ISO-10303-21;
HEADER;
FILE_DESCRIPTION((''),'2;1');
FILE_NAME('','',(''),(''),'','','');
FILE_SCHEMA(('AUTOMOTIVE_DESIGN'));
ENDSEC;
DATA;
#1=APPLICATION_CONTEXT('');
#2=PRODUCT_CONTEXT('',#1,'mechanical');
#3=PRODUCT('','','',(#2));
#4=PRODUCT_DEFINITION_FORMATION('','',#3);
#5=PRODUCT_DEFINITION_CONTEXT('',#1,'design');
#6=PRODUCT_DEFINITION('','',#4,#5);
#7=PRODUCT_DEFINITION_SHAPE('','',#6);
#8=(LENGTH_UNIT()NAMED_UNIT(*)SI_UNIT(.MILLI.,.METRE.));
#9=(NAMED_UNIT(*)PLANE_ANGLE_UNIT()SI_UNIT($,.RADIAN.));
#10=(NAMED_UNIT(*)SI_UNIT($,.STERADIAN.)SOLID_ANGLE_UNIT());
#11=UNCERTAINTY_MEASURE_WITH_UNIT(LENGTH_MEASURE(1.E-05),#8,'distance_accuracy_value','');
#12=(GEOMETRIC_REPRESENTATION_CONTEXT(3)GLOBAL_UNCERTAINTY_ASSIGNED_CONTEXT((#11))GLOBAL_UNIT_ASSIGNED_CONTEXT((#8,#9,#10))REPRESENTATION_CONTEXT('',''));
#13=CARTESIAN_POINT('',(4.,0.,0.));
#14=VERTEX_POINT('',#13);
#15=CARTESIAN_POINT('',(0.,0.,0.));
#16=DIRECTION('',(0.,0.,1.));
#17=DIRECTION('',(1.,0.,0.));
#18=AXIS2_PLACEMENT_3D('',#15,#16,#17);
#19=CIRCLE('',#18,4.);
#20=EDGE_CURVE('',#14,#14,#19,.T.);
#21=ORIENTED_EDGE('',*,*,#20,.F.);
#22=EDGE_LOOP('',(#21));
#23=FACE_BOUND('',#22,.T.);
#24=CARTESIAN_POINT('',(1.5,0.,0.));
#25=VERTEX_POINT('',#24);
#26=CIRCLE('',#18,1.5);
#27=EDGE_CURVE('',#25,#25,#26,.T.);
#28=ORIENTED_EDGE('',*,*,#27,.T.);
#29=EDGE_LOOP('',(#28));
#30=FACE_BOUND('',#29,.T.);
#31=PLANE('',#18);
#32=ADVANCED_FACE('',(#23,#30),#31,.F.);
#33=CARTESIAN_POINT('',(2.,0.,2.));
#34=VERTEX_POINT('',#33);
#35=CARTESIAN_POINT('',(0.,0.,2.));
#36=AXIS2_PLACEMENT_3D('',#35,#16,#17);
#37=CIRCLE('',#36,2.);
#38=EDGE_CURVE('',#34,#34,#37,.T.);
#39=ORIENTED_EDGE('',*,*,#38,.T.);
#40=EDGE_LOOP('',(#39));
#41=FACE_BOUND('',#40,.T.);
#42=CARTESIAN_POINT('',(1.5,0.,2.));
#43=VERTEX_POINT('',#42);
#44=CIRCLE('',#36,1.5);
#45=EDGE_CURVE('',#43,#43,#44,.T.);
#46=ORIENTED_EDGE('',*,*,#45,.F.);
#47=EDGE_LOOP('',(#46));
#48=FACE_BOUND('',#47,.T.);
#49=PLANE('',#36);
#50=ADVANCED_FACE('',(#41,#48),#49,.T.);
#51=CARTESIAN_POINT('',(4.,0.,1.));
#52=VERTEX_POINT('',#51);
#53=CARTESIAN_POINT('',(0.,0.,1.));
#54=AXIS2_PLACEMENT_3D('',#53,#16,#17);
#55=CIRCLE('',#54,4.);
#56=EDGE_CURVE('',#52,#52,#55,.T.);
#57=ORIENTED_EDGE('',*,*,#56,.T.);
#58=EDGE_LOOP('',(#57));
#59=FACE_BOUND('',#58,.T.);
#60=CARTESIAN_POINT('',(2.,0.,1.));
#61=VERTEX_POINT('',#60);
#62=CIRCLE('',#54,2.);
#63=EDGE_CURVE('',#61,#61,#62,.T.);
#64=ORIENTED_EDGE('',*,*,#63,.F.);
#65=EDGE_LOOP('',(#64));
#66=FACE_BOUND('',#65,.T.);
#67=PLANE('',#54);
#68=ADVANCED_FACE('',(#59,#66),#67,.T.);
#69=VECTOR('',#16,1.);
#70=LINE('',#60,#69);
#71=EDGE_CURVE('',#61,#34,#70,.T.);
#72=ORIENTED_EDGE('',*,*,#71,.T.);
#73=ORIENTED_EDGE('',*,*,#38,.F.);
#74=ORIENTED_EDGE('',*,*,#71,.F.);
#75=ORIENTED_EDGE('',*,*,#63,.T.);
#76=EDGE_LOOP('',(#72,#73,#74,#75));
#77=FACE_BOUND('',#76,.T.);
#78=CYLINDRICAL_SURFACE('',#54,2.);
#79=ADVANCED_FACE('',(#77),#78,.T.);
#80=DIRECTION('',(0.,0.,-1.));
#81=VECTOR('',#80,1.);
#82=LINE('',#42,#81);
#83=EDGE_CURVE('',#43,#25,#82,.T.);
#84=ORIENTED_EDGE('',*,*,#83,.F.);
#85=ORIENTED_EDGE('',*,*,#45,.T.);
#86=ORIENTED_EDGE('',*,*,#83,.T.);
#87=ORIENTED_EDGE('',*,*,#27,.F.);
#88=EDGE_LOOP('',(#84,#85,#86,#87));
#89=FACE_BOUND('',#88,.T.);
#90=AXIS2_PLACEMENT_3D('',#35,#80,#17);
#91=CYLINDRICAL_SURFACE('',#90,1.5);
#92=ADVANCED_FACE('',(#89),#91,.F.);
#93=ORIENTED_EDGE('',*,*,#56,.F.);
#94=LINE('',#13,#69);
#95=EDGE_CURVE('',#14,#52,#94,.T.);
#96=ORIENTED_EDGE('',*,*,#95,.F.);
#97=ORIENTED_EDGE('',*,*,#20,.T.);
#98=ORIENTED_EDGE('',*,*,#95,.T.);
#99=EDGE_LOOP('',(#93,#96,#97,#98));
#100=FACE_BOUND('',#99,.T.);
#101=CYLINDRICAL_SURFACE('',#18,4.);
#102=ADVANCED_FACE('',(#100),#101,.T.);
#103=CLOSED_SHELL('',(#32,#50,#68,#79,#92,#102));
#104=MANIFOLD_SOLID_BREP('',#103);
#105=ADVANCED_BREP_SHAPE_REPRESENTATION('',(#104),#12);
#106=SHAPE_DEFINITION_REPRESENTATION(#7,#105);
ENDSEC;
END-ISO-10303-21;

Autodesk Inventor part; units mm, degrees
ref_plane "YZ Plane" through (0, 0, 0) normal (1, 0, 0) x (0, 1, 0)
ref_plane "XZ Plane" through (0, 0, 0) normal (0, 1, 0) x (-1, 0, 0)
ref_plane "XY Plane" through (0, 0, 0) normal (0, 0, 1) x (1, 0, 0)
sketch "Sketch1" plane through (0, 0, 0) normal (0, 1, 0) x (-1, 0, 0)
  line L0 (0, 0) -> (0, 2)
  line L1 (-1.5, 2) -> (-1.5, 0)
  line L2 (-1.5, 0) -> (-4, 0)
  line L3 (-4, 0) -> (-4, 1)
  line L4 (-4, 1) -> (-2, 1)
  line L5 (-2, 1) -> (-2, 2)
  line L6 (-2, 2) -> (-1.5, 2)
  dimension "d0" = 3
  dimension "d1" = 4
  dimension "d2" = 8
  dimension "d3" = 1
  dimension "d4" = 1
revolve "Revolution1" add sketch "Sketch1" angle 360 about axis through (0, 0, 0) along (0, 0, 1)
properties part number "L3040-8110TB" material "Aluminum 2014-T4"
